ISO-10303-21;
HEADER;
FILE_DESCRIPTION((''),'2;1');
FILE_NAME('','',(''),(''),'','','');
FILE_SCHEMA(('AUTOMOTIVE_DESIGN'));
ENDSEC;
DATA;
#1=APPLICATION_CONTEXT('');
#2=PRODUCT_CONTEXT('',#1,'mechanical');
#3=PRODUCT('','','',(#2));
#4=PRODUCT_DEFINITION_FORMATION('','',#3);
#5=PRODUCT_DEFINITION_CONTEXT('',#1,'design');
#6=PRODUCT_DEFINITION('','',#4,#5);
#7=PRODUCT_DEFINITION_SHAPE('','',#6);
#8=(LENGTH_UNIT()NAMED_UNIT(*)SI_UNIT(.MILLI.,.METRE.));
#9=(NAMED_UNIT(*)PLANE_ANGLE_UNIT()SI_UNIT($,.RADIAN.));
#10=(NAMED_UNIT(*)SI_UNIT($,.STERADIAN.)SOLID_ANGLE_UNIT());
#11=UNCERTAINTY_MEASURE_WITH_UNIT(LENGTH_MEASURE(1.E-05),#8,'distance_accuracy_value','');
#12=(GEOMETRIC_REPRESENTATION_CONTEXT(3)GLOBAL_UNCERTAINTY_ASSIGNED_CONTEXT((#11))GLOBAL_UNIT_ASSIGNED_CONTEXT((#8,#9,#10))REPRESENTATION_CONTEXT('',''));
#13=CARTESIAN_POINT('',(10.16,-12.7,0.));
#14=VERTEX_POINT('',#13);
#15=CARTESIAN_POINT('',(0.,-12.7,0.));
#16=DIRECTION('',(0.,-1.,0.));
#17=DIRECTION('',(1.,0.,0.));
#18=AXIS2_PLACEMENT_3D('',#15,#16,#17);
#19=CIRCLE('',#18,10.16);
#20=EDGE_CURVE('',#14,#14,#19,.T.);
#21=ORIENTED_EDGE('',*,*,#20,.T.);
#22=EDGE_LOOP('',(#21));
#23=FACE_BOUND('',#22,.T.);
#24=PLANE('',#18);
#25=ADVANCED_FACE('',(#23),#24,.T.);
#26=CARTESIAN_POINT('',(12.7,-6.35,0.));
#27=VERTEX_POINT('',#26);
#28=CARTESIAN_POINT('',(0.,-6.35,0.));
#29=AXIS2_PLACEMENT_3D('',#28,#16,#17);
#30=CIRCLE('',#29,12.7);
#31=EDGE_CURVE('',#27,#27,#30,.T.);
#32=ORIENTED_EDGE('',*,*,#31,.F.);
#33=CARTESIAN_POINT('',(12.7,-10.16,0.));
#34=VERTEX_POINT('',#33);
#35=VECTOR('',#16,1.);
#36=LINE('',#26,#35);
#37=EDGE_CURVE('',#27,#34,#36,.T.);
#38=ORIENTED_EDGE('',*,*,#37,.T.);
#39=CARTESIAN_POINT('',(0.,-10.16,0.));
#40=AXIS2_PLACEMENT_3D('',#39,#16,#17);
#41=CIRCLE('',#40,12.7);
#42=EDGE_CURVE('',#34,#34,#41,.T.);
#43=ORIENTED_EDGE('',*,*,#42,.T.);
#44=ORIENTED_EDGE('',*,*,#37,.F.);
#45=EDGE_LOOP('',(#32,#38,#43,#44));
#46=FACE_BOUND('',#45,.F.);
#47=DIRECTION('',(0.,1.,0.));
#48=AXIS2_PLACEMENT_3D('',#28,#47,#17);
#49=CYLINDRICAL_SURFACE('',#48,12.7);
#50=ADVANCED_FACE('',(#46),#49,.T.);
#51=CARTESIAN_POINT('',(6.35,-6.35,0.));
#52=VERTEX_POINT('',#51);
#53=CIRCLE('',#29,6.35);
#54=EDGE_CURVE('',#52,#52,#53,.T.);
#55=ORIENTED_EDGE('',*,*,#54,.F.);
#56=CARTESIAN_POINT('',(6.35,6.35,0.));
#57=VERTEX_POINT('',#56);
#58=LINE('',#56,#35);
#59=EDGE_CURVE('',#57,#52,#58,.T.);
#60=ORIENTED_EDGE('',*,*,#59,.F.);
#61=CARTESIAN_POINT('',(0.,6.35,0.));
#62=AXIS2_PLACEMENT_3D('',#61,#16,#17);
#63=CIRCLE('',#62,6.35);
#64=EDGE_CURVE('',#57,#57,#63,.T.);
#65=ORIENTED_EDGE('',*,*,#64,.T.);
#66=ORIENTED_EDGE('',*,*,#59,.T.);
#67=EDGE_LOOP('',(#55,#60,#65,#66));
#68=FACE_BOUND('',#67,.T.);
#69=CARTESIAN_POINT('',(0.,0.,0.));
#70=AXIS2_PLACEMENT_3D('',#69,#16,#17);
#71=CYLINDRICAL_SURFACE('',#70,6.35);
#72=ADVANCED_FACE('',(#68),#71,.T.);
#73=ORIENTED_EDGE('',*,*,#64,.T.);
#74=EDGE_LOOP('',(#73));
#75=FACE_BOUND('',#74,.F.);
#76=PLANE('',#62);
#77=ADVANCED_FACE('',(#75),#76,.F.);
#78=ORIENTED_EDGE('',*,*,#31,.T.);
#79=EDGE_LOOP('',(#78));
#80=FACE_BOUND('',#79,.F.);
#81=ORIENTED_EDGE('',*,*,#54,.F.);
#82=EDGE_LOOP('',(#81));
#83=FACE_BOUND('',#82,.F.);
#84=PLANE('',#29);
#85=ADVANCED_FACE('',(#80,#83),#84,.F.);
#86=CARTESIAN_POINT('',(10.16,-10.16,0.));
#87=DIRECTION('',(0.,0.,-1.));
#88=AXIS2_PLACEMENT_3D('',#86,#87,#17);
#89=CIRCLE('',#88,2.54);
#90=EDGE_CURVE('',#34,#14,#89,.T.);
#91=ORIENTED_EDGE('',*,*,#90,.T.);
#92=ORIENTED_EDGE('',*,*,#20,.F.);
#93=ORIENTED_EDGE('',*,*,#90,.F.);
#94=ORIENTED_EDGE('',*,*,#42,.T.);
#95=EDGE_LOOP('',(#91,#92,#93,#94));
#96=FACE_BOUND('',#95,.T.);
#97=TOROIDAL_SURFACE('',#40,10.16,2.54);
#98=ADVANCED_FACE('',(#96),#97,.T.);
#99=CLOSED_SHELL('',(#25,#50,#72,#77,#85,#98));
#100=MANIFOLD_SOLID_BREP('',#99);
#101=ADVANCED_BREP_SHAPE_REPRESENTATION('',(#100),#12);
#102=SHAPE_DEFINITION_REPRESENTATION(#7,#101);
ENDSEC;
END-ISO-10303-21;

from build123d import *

# Parameters (mm, degrees)
F0_R     = 6.35
F1_DEPTH = 6.35
F2_R     = 12.7
F3_DEPTH = 6.35
F4_R     = 2.54


with BuildPart() as f1:
    # F0 (on Front) → F1 (new body, symmetric)
    with BuildSketch(Plane.XZ):
        Circle(F0_R)
    extrude(amount=F1_DEPTH, both=True)

    # F2 (on face) → F3 (join)
    with BuildSketch(Plane.XZ.offset(6.35)):
        Circle(F2_R)
    extrude(amount=F3_DEPTH)

    # F4
    f4_edges = [f1.edges().sort_by_distance(p)[0] for p in [
        (-12.7, -12.7, 0),
    ]]
    fillet(f4_edges, radius=F4_R)


solid = f1.part
